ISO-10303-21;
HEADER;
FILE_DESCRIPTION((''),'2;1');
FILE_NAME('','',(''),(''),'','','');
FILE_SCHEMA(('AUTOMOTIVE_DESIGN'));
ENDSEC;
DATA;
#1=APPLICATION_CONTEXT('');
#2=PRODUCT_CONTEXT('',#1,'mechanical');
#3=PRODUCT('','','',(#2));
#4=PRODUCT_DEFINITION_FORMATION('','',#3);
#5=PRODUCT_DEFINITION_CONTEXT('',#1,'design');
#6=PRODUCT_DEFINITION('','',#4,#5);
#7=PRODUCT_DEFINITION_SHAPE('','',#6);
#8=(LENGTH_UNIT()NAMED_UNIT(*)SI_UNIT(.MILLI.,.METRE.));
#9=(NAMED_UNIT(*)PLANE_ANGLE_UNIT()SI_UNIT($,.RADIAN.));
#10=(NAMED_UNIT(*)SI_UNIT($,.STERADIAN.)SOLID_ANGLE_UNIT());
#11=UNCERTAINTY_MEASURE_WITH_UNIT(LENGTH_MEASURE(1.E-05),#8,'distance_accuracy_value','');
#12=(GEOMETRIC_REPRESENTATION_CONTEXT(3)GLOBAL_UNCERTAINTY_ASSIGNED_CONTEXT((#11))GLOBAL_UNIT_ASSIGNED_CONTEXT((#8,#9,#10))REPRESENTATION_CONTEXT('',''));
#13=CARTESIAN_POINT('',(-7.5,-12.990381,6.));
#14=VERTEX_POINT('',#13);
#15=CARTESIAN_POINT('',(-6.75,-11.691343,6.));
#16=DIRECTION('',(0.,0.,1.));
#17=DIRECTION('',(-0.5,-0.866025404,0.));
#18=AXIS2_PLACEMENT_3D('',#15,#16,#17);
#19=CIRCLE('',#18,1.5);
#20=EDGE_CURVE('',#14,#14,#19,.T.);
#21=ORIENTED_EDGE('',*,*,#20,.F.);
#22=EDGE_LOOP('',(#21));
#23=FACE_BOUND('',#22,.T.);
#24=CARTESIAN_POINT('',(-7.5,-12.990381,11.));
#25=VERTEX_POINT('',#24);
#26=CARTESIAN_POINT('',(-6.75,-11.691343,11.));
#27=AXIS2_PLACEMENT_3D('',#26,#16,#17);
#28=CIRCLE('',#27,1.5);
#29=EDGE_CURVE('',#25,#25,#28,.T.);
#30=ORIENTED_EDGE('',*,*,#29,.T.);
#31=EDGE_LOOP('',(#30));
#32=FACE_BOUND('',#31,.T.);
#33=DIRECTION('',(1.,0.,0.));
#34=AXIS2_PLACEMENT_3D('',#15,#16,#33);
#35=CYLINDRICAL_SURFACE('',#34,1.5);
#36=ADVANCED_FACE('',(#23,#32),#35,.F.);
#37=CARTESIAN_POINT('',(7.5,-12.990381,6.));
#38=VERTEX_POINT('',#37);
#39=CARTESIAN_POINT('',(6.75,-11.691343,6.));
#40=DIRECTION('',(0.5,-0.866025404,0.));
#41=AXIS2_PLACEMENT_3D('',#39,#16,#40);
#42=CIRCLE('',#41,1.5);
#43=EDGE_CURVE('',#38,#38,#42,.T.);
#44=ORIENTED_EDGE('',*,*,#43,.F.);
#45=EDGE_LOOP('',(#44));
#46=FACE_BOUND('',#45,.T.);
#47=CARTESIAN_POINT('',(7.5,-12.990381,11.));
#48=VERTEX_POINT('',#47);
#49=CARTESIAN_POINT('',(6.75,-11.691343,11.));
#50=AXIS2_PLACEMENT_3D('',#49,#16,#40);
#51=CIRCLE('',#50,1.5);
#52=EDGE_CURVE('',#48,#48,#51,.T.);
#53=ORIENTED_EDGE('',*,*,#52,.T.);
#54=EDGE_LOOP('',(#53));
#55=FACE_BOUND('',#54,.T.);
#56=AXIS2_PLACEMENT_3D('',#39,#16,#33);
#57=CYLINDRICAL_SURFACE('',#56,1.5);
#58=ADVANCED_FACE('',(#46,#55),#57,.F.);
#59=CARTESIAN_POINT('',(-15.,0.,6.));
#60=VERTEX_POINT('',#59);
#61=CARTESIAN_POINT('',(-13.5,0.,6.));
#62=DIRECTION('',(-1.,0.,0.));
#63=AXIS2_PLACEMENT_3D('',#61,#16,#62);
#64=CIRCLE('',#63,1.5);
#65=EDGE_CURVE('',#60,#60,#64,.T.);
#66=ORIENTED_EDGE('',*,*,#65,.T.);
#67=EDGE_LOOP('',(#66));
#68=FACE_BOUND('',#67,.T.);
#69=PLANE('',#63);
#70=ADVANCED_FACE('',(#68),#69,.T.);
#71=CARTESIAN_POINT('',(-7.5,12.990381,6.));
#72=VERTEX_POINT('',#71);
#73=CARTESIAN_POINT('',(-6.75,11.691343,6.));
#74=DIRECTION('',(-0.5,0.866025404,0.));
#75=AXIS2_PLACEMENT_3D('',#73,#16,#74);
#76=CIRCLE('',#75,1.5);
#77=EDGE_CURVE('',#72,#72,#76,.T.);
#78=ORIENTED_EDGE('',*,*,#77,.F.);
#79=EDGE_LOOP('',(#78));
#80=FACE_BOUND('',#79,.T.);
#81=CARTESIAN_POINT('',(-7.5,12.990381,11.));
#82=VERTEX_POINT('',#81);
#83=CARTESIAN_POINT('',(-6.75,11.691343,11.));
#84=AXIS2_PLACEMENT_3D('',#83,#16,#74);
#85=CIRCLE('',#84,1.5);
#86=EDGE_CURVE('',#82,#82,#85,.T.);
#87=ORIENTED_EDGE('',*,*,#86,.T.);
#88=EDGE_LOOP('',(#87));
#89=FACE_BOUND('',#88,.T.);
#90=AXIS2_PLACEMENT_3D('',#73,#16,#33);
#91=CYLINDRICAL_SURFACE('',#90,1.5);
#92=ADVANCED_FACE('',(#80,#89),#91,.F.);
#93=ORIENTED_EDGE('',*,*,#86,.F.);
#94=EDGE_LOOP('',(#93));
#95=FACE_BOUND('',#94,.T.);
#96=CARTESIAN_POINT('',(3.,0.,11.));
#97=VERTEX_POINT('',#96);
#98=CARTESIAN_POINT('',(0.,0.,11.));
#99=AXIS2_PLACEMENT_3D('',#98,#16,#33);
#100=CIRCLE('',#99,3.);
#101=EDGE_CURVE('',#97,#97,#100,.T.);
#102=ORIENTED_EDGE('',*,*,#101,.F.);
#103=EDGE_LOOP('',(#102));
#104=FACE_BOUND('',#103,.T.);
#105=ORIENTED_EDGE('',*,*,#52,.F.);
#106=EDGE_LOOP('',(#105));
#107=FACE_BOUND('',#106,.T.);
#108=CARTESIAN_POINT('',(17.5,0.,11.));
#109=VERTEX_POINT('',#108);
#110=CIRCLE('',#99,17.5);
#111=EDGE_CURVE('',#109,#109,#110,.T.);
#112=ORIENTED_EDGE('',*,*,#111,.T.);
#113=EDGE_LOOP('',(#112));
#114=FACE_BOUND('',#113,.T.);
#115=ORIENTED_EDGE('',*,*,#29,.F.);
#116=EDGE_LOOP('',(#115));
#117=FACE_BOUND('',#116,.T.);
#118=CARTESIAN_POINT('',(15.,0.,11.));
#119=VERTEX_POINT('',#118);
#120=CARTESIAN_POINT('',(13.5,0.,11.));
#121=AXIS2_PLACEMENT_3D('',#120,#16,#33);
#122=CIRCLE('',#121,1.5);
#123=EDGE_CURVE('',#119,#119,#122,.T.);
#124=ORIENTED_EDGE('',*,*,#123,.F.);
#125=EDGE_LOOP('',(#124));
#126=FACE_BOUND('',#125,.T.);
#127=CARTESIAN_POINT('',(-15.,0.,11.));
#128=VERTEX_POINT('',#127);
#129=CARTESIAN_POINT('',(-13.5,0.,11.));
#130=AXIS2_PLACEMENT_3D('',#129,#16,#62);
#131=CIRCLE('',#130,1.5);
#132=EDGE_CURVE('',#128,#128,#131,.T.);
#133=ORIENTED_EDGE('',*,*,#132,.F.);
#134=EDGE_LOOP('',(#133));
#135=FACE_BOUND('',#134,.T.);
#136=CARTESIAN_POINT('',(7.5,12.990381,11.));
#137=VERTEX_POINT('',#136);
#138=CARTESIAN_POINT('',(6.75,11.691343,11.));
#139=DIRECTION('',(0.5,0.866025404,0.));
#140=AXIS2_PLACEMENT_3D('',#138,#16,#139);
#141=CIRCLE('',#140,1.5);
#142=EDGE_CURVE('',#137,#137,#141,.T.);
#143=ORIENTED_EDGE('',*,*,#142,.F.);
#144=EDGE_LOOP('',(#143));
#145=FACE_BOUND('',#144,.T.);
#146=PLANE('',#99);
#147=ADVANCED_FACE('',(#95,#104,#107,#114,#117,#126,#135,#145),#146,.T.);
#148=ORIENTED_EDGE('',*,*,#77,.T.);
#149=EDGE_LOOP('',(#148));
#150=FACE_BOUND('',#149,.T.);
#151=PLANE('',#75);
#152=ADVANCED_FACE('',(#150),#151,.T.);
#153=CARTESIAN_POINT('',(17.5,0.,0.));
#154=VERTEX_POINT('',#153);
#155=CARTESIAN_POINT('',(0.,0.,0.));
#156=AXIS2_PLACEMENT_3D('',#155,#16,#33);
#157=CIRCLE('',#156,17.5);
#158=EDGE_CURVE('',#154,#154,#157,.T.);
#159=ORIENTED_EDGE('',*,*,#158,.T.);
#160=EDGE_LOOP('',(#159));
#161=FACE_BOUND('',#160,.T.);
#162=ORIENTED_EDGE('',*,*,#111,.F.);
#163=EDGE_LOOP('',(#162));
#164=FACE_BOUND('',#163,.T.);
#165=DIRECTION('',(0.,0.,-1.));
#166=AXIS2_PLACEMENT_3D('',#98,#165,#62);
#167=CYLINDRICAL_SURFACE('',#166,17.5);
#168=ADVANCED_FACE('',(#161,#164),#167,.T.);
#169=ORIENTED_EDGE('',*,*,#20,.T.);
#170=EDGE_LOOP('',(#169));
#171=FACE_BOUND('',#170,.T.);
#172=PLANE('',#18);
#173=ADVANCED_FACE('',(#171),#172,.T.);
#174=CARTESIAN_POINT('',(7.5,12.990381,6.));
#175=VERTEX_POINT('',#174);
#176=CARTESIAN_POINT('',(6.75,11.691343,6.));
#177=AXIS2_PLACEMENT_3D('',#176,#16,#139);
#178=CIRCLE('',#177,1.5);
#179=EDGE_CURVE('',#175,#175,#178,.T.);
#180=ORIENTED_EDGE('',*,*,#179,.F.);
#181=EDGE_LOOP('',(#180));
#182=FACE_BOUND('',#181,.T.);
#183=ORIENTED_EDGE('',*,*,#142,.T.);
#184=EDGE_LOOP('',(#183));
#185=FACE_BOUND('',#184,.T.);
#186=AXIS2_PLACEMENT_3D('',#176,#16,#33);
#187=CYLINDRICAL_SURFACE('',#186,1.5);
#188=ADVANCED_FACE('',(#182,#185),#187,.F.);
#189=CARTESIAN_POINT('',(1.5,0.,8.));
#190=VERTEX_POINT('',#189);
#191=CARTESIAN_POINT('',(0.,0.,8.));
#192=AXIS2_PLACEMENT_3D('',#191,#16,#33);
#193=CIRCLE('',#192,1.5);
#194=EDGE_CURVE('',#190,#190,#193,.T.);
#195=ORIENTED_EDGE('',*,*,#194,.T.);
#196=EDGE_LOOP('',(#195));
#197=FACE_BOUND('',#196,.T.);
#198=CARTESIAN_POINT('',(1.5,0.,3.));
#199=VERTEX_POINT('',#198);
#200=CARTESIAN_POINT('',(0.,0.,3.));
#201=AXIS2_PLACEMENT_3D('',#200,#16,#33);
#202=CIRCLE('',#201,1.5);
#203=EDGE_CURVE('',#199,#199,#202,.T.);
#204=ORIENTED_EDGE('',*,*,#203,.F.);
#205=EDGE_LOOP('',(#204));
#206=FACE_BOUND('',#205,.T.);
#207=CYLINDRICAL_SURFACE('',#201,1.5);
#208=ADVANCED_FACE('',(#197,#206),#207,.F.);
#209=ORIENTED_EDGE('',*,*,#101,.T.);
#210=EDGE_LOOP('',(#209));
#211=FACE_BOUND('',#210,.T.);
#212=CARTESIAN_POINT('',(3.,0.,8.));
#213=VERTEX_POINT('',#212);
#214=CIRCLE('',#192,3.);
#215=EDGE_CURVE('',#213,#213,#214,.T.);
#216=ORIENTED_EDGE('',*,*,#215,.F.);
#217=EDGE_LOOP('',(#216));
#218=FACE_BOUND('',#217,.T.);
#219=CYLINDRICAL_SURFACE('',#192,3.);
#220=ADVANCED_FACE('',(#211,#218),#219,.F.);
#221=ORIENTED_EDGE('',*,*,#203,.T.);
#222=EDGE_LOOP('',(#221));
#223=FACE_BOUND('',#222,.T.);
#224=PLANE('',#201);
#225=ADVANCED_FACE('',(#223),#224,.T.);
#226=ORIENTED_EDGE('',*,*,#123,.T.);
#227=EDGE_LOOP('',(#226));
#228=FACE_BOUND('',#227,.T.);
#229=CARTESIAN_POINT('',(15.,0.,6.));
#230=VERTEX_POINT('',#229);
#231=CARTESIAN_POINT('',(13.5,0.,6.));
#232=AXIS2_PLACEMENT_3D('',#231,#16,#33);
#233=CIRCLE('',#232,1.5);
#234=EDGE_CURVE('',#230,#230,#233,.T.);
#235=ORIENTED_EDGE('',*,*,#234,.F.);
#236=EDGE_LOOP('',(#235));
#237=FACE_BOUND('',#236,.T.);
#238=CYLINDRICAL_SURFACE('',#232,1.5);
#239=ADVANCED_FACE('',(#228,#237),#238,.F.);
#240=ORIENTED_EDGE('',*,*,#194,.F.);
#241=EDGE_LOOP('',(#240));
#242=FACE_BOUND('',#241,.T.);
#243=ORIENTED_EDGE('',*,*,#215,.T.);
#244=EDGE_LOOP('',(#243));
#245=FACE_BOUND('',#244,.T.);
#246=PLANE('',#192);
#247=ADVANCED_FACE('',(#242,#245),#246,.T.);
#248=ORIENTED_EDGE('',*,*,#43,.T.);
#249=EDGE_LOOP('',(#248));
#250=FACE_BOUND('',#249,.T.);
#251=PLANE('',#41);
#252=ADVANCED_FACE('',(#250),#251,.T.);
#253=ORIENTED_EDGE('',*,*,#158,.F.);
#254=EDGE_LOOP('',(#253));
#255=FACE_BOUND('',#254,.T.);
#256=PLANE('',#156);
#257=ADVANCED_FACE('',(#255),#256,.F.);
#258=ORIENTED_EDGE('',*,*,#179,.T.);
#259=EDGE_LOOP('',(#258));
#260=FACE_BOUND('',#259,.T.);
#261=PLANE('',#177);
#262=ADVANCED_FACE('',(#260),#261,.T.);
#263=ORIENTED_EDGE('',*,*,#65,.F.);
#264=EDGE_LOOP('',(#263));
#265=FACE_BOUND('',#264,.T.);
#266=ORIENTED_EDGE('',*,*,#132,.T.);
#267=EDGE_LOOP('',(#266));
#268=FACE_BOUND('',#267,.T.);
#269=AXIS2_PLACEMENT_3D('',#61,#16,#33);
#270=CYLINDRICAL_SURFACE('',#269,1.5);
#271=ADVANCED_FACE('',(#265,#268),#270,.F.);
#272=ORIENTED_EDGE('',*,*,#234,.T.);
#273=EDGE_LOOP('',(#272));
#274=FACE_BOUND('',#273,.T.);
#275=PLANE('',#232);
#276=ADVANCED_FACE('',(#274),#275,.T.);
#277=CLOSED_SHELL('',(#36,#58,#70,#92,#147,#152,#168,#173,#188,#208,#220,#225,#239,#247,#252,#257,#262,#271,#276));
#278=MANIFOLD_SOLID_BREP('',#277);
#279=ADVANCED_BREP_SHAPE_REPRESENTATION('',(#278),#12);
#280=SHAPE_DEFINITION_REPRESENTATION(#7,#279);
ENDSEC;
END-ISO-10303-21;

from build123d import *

# Parameters (mm, degrees)
SKETCH_1_R               = 17.5
EXTRUDE_1_DEPTH          = 11
SKETCH_2_R               = 1.5
CUT_EXTRUDE_1_DEPTH      = 5
PATTERN_CIRCULAR_1_COUNT = 6
SKETCH_3_R               = 3
CUT_EXTRUDE_2_DEPTH      = 3
SKETCH_4_R               = 1.5
CUT_EXTRUDE_3_DEPTH      = 5


with BuildPart() as part:
    # 草图1 → 凸台-拉伸1 (new body)
    with BuildSketch(Plane.XY):
        Circle(SKETCH_1_R)
    extrude(amount=EXTRUDE_1_DEPTH)

    # 草图2 → 切除-拉伸1 (cut)
    with BuildSketch(Plane.XY.offset(11)):
        with Locations((13.5, 0)):
            Circle(SKETCH_2_R)
    cut_extrude_1 = extrude(amount=-CUT_EXTRUDE_1_DEPTH, mode=Mode.SUBTRACT)

    # 阵列(圆周)1: 切除-拉伸1 ×6 about axis
    pattern_circular_1_axis = Axis((0, 0, 0), (0, 0, 1))
    for i in range(1, PATTERN_CIRCULAR_1_COUNT):
        add(cut_extrude_1.rotate(pattern_circular_1_axis, i * 360 / PATTERN_CIRCULAR_1_COUNT), mode=Mode.SUBTRACT)

    # 草图3 → 切除-拉伸2 (cut)
    with BuildSketch(Plane.XY.offset(11)):
        Circle(SKETCH_3_R)
    extrude(amount=-CUT_EXTRUDE_2_DEPTH, mode=Mode.SUBTRACT)

    # 草图4 → 切除-拉伸3 (cut)
    with BuildSketch(Plane.XY.offset(8)):
        Circle(SKETCH_4_R)
    extrude(amount=-CUT_EXTRUDE_3_DEPTH, mode=Mode.SUBTRACT)


solid = part.part
